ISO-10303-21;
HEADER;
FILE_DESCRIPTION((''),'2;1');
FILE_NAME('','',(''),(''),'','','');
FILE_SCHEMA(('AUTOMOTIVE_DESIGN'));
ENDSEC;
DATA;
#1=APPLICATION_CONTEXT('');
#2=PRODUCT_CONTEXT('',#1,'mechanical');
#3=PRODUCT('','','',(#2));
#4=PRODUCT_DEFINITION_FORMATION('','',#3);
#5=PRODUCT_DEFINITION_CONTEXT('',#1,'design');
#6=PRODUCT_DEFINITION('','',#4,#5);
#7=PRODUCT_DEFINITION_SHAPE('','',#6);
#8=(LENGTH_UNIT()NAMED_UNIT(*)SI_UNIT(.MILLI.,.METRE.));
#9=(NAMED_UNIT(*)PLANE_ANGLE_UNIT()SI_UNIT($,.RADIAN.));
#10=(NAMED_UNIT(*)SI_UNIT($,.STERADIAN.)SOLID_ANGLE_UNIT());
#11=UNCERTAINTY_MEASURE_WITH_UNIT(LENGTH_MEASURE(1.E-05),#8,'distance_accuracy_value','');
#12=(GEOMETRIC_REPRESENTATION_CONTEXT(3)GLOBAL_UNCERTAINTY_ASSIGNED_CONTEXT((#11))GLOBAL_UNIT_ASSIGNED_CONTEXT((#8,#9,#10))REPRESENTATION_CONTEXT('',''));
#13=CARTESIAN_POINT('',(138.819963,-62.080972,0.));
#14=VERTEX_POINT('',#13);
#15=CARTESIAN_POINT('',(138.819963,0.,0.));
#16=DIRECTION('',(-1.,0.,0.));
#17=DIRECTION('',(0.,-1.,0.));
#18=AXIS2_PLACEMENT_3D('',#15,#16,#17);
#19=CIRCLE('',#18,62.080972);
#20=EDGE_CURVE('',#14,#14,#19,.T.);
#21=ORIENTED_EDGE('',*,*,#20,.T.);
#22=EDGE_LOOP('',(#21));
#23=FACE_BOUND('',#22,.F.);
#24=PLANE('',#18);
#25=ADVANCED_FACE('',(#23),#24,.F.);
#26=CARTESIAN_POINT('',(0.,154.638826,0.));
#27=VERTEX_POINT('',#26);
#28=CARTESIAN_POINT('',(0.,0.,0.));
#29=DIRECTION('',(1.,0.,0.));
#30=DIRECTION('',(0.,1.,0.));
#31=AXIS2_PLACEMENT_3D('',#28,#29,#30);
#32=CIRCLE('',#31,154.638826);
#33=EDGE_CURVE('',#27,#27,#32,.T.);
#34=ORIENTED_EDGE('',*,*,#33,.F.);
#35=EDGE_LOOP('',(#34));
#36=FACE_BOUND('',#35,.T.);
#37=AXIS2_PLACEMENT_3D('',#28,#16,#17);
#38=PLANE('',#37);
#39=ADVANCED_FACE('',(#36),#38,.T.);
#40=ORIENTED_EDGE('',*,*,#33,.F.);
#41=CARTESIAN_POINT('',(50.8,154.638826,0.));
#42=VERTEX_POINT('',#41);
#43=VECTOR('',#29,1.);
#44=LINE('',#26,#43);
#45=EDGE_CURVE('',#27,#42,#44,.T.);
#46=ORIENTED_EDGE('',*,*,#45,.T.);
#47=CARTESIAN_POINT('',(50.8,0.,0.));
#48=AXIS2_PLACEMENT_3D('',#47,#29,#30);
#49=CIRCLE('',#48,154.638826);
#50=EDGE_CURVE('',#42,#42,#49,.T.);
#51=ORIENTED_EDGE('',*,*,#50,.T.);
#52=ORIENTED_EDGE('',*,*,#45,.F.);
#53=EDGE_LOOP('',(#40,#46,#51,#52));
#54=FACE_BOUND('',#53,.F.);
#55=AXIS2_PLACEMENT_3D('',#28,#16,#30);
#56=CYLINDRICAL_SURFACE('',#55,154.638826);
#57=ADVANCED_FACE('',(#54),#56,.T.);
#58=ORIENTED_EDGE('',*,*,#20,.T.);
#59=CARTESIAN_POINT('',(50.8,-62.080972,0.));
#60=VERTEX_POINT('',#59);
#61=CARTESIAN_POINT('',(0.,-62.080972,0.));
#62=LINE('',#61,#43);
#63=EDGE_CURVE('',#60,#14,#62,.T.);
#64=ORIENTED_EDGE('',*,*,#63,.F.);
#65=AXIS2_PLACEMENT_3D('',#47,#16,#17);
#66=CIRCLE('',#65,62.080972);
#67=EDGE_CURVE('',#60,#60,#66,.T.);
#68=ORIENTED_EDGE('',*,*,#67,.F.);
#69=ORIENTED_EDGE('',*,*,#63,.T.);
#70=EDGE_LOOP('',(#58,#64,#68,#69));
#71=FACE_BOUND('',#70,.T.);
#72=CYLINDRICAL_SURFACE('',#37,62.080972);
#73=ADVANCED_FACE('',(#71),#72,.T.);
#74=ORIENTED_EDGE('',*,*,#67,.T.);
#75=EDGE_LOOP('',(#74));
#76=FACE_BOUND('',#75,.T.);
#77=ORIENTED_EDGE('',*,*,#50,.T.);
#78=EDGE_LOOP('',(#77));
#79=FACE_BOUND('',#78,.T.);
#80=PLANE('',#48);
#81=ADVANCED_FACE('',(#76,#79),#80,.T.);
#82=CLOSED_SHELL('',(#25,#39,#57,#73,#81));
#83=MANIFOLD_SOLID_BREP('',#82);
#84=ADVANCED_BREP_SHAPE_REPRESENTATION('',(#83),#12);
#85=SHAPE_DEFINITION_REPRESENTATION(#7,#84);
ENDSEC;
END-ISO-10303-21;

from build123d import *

# Parameters (mm, degrees)
F0_R     = 154.638826
F1_DEPTH = 50.8
F2_R     = 62.080972
F3_DEPTH = 138.819963


with BuildPart() as f1:
    # F0 (on Right) → F1 (new body)
    with BuildSketch(Plane.YZ):
        Circle(F0_R)
    extrude(amount=F1_DEPTH)

    # F2 (on face) → F3 (join)
    with BuildSketch(Plane(origin=(0, 0, 0), x_dir=(0, -1, 0), z_dir=(-1, 0, 0))):
        Circle(F2_R)
    extrude(amount=-F3_DEPTH)


solid = f1.part
